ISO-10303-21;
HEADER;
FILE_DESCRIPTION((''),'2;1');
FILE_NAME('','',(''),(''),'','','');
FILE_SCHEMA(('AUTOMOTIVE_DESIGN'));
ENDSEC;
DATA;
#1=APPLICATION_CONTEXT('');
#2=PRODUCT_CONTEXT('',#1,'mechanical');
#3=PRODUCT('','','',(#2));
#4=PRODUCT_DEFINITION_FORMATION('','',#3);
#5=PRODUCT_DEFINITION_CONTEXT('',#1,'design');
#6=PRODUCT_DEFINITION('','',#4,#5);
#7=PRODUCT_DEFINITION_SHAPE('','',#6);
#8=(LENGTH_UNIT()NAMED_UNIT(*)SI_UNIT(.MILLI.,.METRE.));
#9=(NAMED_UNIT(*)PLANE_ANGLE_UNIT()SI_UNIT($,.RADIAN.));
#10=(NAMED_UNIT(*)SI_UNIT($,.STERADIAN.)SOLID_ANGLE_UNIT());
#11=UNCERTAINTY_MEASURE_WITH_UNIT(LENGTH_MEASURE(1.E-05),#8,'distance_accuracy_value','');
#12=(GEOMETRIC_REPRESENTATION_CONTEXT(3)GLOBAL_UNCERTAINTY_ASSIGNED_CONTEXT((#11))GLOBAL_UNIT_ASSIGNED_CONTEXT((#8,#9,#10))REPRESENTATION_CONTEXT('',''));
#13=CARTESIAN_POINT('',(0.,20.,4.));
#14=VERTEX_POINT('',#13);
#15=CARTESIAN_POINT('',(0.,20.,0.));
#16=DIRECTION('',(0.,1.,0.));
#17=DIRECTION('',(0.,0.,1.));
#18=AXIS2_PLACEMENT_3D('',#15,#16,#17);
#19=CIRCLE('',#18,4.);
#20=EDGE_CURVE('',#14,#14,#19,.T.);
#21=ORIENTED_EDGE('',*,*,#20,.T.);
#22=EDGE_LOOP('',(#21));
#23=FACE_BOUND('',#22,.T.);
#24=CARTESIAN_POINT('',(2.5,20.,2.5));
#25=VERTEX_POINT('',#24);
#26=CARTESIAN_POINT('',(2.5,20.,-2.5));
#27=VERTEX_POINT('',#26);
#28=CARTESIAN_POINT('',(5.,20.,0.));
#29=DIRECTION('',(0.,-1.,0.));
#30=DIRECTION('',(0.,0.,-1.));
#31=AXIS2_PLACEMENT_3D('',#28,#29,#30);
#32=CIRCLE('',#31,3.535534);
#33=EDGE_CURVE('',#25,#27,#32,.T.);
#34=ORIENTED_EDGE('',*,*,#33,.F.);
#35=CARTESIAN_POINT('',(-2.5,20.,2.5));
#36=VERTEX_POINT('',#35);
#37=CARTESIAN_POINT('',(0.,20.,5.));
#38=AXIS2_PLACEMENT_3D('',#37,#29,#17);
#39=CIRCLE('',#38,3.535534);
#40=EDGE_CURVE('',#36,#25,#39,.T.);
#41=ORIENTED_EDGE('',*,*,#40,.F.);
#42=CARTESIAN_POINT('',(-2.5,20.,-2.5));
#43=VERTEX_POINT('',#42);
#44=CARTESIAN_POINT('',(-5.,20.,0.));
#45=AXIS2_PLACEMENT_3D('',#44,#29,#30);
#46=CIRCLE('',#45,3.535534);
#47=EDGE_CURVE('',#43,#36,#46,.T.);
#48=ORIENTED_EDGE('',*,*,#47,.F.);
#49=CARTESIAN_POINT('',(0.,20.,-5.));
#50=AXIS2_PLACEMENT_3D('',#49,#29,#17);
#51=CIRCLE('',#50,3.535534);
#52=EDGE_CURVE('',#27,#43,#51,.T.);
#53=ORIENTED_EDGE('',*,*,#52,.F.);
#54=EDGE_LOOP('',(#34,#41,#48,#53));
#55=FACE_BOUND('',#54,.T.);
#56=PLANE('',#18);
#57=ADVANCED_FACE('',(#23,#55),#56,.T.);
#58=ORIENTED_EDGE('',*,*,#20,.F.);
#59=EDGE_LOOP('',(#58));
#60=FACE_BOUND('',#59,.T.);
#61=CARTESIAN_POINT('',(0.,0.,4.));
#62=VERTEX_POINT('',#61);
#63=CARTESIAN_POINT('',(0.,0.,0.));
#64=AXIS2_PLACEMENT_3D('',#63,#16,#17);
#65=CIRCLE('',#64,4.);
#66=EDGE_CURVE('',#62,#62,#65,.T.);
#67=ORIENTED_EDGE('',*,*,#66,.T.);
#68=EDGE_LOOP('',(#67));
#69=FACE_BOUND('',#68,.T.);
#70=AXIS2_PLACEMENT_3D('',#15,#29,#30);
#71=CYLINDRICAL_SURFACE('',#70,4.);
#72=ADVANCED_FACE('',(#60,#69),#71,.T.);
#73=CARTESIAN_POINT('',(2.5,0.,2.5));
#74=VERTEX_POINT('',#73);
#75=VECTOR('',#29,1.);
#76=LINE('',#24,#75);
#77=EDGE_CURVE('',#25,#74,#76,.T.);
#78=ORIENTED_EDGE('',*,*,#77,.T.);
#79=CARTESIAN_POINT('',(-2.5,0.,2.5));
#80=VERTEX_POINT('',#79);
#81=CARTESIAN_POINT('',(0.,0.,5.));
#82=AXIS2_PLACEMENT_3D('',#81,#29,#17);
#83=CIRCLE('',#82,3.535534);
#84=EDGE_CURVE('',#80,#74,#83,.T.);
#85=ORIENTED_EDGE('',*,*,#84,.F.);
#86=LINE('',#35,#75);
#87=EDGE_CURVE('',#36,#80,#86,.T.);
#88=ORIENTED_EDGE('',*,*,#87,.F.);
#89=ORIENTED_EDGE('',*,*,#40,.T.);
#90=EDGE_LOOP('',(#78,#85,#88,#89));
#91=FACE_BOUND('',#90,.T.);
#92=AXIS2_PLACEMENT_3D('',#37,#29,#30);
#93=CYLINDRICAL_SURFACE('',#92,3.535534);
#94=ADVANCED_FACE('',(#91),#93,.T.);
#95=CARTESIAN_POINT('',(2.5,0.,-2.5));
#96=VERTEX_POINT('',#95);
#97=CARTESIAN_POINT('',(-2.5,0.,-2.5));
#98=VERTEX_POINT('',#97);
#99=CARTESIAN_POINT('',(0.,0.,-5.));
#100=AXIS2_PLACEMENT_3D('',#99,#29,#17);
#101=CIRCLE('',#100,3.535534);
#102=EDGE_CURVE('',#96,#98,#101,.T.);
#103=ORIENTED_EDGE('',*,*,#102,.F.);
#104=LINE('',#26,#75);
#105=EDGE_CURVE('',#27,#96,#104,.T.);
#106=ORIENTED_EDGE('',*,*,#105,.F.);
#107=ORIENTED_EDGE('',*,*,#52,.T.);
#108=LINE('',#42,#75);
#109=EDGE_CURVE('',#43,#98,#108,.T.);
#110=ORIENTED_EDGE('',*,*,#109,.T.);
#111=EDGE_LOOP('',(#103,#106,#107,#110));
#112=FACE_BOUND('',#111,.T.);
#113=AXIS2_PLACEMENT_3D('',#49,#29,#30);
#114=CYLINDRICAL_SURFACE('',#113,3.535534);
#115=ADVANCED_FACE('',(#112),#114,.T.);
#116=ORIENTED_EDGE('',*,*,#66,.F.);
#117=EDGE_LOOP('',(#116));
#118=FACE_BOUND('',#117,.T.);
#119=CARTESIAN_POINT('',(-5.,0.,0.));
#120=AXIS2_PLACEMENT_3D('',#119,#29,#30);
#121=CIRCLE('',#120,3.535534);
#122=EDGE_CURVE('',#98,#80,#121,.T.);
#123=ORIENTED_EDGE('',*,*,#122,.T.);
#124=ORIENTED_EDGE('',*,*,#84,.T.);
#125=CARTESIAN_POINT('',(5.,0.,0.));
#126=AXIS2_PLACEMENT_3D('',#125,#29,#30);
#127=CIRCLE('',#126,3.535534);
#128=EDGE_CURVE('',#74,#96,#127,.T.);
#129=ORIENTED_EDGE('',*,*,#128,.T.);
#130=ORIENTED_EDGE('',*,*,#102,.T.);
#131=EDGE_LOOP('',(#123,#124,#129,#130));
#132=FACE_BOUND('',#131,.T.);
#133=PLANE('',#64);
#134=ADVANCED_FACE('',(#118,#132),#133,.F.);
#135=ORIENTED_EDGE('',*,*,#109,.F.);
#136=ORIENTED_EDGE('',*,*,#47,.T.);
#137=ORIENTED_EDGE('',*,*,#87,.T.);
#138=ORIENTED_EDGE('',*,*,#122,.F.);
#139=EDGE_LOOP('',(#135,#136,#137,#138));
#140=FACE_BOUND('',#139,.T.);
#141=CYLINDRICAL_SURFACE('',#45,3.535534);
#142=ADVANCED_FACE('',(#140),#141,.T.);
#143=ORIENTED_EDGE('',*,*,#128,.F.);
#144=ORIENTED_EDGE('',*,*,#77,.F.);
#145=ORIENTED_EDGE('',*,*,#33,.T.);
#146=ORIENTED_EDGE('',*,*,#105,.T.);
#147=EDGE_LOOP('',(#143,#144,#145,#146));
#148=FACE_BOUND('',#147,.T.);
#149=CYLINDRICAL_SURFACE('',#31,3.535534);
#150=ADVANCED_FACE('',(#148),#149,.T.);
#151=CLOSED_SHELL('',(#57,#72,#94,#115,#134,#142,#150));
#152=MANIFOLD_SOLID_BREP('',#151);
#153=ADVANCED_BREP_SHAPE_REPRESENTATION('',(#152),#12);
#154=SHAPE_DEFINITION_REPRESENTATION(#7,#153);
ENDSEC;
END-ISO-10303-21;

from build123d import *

# Parameters (mm, degrees)
SKETCH1_R           = 4
BOSS_EXTRUDE1_DEPTH = 20


with BuildPart() as part:
    # Sketch1 → Boss-Extrude1 (new body)
    with BuildSketch(Plane(origin=(0, 0, 0), x_dir=(1, 0, 0), z_dir=(0, 1, 0))):
        with Locations(Location((0, 0, 0), (0, 0, 270))):
            Circle(SKETCH1_R)
        with BuildLine():
            ThreePointArc((-2.5, 2.5), (-1.464466094, 0), (-2.5, -2.5))
            ThreePointArc((-2.5, -2.5), (0, -1.464466094), (2.5, -2.5))
            ThreePointArc((2.5, -2.5), (1.464466094, 0), (2.5, 2.5))
            ThreePointArc((2.5, 2.5), (0, 1.464466094), (-2.5, 2.5))
        make_face(mode=Mode.SUBTRACT)
    extrude(amount=BOSS_EXTRUDE1_DEPTH)


solid = part.part
